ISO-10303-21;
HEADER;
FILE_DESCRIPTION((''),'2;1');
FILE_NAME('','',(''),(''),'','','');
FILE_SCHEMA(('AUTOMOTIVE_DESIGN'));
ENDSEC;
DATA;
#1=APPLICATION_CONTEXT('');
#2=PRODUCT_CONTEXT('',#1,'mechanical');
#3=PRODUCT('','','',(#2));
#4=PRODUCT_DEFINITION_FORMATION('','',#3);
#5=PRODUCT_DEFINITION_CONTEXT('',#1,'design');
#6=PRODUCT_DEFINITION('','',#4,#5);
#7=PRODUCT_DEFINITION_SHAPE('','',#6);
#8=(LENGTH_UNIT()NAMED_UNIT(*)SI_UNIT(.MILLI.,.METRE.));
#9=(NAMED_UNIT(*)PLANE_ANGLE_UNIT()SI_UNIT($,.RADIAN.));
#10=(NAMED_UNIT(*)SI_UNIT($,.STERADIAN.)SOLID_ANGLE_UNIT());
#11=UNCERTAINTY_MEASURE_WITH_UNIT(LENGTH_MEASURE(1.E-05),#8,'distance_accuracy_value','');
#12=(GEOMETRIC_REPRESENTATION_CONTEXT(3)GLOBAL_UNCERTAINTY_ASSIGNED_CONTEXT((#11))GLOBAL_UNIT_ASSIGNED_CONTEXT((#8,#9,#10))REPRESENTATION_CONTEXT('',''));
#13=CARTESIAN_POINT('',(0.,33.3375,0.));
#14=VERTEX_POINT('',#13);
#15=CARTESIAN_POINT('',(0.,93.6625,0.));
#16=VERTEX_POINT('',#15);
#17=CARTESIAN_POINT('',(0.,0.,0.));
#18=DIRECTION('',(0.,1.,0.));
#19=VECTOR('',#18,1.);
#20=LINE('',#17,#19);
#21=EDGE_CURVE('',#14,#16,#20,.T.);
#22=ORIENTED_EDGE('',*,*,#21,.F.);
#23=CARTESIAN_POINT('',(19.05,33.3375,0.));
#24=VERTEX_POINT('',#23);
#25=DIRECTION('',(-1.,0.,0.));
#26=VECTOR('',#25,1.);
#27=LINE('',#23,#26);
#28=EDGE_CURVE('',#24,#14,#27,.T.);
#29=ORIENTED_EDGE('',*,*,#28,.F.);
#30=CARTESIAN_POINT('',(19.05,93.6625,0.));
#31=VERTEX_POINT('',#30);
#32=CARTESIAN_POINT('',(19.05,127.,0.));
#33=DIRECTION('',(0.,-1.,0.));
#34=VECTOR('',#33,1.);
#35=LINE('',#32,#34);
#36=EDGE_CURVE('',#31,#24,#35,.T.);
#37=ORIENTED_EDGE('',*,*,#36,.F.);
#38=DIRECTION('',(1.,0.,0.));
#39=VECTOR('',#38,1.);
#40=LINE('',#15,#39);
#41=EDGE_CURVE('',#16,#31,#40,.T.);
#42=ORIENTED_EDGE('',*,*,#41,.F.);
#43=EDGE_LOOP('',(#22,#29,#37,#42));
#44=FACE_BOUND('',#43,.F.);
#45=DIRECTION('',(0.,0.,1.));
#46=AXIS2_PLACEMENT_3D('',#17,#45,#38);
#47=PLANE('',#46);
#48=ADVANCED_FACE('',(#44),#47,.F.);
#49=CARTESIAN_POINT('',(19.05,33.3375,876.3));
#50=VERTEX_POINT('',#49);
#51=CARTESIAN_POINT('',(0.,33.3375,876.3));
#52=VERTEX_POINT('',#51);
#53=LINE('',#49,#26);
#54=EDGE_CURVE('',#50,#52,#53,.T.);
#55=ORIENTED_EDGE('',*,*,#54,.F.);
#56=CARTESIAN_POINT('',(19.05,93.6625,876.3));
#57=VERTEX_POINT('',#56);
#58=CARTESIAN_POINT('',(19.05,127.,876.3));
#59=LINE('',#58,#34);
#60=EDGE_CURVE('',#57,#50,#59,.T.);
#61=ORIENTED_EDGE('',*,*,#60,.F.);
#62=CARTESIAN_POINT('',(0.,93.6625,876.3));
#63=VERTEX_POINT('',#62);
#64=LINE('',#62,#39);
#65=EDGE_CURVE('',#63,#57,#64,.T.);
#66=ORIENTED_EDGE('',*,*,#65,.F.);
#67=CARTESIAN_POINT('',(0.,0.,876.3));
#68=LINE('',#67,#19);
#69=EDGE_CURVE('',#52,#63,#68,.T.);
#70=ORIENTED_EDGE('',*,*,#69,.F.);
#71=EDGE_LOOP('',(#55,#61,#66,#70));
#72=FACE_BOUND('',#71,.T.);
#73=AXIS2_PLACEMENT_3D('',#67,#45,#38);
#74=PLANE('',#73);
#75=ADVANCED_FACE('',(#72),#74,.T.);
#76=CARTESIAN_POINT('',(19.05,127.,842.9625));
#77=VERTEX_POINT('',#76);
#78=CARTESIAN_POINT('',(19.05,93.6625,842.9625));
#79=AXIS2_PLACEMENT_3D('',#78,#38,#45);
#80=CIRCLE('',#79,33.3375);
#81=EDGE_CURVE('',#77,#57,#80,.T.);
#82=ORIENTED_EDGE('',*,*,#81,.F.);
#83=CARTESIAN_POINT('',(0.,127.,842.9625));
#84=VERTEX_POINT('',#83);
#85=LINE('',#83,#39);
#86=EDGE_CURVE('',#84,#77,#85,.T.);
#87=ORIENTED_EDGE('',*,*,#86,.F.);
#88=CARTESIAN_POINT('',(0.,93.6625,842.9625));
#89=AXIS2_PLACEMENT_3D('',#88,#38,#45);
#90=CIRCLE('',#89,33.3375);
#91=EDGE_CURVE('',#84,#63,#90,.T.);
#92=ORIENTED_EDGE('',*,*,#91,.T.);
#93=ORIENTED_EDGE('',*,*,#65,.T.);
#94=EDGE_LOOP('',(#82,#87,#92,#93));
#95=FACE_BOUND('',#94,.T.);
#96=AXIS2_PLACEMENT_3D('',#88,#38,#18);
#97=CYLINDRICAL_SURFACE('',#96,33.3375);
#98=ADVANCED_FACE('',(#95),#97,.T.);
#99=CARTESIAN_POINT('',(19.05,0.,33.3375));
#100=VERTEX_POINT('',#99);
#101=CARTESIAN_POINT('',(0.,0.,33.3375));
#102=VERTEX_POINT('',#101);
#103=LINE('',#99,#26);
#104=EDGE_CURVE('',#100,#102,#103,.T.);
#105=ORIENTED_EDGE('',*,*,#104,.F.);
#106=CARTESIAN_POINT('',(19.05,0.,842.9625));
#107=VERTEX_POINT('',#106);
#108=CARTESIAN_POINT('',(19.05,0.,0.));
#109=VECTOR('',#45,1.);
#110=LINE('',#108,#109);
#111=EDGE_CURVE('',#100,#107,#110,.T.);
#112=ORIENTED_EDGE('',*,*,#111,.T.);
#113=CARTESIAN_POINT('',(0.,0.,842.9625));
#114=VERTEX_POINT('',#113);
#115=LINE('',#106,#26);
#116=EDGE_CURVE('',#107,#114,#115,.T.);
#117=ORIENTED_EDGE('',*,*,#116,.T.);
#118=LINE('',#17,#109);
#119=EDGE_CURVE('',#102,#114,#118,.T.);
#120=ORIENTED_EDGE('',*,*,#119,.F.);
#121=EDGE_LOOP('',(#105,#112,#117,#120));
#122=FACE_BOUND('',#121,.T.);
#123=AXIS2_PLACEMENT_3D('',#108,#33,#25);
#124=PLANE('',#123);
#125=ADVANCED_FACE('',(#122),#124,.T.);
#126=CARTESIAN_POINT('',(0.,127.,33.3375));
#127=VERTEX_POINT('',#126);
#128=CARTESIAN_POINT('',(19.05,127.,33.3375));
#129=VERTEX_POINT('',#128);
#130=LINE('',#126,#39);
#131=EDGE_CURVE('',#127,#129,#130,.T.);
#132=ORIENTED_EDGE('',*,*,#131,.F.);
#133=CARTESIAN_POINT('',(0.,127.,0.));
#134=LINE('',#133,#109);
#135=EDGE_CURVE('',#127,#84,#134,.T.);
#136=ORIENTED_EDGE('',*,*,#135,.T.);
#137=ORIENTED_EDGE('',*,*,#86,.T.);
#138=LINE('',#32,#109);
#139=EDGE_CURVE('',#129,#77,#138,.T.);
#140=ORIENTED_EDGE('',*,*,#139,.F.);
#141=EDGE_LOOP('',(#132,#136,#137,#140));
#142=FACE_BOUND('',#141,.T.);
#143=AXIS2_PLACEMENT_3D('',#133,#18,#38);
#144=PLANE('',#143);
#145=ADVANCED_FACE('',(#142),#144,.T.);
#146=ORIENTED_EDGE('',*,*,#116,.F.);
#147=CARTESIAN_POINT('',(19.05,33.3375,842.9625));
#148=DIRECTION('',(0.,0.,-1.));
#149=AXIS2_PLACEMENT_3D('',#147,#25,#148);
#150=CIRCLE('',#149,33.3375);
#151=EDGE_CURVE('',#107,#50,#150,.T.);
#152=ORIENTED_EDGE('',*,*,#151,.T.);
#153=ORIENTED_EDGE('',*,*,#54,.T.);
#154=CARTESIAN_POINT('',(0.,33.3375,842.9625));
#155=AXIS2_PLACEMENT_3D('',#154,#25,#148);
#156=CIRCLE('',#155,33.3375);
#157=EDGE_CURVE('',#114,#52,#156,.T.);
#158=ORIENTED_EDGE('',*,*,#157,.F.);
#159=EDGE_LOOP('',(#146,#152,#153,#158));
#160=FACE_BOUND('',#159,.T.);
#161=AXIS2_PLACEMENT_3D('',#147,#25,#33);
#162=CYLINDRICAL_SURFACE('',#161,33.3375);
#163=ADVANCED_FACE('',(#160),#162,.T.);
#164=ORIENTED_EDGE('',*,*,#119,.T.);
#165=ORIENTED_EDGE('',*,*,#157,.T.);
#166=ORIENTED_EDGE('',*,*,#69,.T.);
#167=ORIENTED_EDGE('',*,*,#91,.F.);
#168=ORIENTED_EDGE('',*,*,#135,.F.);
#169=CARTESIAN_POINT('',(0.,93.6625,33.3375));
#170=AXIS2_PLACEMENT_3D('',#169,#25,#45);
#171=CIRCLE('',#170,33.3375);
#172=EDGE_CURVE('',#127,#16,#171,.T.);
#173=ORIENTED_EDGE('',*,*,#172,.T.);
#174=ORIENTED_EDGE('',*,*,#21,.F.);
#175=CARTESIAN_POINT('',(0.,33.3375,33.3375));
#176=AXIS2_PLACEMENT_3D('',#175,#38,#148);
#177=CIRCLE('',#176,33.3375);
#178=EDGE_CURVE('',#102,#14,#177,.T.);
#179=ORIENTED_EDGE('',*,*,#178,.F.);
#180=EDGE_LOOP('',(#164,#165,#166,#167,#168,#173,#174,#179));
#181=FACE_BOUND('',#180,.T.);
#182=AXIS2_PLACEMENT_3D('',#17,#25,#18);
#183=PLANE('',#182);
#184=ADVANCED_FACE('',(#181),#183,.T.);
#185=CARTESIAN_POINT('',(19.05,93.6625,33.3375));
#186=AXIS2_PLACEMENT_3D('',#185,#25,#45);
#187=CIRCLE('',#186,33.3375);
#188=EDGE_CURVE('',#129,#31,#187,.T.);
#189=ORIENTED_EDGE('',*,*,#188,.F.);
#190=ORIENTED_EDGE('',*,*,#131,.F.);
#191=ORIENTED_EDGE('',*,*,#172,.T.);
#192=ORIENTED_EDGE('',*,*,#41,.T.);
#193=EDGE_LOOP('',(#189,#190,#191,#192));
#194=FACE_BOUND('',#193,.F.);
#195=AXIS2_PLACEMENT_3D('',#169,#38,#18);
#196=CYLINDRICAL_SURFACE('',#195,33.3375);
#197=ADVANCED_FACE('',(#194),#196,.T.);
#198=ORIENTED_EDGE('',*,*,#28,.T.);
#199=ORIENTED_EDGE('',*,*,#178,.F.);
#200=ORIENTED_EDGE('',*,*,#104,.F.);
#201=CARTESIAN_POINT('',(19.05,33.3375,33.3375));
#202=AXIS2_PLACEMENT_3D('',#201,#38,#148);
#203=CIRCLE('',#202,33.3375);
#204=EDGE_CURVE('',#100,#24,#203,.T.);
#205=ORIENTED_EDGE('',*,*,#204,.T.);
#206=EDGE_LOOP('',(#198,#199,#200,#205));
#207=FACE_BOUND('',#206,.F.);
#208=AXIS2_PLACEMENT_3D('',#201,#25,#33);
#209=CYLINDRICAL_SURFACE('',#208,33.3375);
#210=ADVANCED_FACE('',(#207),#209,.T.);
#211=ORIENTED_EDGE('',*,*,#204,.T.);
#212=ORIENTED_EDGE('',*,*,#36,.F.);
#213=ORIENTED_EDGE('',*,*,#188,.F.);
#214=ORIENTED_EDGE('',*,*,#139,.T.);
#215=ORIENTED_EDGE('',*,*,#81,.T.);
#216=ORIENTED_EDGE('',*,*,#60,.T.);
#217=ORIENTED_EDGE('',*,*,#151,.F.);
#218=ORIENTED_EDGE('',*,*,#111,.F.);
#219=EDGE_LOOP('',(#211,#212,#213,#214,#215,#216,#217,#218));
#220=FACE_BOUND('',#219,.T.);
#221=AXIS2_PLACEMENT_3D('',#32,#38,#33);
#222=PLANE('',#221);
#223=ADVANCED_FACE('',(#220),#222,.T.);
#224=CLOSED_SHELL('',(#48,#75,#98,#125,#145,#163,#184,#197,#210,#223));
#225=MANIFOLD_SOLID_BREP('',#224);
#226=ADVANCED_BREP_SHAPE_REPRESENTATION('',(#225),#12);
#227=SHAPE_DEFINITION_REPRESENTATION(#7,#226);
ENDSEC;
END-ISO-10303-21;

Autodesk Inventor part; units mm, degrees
ref_plane "YZ Plane" through (0, 0, 0) normal (1, 0, 0) x (0, 1, 0)
ref_plane "XZ Plane" through (0, 0, 0) normal (0, 1, 0) x (-1, 0, 0)
ref_plane "XY Plane" through (0, 0, 0) normal (0, 0, 1) x (1, 0, 0)
sketch "Sketch1" plane through (0, 0, 0) normal (0, 0, 1) x (1, 0, 0)
  line L0 (0, 0) -> (0, 127)
  line L1 (0, 127) -> (19.05, 127)
  line L2 (19.05, 127) -> (19.05, 0)
  line L3 (19.05, 0) -> (0, 0)
  dimension "d0" = 127
  dimension "d1" = 19.05
extrude "Extrusion1" add sketch "Sketch1" along normal blind 876.3
fillet "Fillet1" radius 33.3375 4 edges at (9.525, 127, 876.3) (9.525, 0, 876.3) (9.525, 127, 0) (9.525, 0, 0)
properties part number "Bumper Wood Backing Part2 (26x28 robot)" material "Wood (Birch)"
